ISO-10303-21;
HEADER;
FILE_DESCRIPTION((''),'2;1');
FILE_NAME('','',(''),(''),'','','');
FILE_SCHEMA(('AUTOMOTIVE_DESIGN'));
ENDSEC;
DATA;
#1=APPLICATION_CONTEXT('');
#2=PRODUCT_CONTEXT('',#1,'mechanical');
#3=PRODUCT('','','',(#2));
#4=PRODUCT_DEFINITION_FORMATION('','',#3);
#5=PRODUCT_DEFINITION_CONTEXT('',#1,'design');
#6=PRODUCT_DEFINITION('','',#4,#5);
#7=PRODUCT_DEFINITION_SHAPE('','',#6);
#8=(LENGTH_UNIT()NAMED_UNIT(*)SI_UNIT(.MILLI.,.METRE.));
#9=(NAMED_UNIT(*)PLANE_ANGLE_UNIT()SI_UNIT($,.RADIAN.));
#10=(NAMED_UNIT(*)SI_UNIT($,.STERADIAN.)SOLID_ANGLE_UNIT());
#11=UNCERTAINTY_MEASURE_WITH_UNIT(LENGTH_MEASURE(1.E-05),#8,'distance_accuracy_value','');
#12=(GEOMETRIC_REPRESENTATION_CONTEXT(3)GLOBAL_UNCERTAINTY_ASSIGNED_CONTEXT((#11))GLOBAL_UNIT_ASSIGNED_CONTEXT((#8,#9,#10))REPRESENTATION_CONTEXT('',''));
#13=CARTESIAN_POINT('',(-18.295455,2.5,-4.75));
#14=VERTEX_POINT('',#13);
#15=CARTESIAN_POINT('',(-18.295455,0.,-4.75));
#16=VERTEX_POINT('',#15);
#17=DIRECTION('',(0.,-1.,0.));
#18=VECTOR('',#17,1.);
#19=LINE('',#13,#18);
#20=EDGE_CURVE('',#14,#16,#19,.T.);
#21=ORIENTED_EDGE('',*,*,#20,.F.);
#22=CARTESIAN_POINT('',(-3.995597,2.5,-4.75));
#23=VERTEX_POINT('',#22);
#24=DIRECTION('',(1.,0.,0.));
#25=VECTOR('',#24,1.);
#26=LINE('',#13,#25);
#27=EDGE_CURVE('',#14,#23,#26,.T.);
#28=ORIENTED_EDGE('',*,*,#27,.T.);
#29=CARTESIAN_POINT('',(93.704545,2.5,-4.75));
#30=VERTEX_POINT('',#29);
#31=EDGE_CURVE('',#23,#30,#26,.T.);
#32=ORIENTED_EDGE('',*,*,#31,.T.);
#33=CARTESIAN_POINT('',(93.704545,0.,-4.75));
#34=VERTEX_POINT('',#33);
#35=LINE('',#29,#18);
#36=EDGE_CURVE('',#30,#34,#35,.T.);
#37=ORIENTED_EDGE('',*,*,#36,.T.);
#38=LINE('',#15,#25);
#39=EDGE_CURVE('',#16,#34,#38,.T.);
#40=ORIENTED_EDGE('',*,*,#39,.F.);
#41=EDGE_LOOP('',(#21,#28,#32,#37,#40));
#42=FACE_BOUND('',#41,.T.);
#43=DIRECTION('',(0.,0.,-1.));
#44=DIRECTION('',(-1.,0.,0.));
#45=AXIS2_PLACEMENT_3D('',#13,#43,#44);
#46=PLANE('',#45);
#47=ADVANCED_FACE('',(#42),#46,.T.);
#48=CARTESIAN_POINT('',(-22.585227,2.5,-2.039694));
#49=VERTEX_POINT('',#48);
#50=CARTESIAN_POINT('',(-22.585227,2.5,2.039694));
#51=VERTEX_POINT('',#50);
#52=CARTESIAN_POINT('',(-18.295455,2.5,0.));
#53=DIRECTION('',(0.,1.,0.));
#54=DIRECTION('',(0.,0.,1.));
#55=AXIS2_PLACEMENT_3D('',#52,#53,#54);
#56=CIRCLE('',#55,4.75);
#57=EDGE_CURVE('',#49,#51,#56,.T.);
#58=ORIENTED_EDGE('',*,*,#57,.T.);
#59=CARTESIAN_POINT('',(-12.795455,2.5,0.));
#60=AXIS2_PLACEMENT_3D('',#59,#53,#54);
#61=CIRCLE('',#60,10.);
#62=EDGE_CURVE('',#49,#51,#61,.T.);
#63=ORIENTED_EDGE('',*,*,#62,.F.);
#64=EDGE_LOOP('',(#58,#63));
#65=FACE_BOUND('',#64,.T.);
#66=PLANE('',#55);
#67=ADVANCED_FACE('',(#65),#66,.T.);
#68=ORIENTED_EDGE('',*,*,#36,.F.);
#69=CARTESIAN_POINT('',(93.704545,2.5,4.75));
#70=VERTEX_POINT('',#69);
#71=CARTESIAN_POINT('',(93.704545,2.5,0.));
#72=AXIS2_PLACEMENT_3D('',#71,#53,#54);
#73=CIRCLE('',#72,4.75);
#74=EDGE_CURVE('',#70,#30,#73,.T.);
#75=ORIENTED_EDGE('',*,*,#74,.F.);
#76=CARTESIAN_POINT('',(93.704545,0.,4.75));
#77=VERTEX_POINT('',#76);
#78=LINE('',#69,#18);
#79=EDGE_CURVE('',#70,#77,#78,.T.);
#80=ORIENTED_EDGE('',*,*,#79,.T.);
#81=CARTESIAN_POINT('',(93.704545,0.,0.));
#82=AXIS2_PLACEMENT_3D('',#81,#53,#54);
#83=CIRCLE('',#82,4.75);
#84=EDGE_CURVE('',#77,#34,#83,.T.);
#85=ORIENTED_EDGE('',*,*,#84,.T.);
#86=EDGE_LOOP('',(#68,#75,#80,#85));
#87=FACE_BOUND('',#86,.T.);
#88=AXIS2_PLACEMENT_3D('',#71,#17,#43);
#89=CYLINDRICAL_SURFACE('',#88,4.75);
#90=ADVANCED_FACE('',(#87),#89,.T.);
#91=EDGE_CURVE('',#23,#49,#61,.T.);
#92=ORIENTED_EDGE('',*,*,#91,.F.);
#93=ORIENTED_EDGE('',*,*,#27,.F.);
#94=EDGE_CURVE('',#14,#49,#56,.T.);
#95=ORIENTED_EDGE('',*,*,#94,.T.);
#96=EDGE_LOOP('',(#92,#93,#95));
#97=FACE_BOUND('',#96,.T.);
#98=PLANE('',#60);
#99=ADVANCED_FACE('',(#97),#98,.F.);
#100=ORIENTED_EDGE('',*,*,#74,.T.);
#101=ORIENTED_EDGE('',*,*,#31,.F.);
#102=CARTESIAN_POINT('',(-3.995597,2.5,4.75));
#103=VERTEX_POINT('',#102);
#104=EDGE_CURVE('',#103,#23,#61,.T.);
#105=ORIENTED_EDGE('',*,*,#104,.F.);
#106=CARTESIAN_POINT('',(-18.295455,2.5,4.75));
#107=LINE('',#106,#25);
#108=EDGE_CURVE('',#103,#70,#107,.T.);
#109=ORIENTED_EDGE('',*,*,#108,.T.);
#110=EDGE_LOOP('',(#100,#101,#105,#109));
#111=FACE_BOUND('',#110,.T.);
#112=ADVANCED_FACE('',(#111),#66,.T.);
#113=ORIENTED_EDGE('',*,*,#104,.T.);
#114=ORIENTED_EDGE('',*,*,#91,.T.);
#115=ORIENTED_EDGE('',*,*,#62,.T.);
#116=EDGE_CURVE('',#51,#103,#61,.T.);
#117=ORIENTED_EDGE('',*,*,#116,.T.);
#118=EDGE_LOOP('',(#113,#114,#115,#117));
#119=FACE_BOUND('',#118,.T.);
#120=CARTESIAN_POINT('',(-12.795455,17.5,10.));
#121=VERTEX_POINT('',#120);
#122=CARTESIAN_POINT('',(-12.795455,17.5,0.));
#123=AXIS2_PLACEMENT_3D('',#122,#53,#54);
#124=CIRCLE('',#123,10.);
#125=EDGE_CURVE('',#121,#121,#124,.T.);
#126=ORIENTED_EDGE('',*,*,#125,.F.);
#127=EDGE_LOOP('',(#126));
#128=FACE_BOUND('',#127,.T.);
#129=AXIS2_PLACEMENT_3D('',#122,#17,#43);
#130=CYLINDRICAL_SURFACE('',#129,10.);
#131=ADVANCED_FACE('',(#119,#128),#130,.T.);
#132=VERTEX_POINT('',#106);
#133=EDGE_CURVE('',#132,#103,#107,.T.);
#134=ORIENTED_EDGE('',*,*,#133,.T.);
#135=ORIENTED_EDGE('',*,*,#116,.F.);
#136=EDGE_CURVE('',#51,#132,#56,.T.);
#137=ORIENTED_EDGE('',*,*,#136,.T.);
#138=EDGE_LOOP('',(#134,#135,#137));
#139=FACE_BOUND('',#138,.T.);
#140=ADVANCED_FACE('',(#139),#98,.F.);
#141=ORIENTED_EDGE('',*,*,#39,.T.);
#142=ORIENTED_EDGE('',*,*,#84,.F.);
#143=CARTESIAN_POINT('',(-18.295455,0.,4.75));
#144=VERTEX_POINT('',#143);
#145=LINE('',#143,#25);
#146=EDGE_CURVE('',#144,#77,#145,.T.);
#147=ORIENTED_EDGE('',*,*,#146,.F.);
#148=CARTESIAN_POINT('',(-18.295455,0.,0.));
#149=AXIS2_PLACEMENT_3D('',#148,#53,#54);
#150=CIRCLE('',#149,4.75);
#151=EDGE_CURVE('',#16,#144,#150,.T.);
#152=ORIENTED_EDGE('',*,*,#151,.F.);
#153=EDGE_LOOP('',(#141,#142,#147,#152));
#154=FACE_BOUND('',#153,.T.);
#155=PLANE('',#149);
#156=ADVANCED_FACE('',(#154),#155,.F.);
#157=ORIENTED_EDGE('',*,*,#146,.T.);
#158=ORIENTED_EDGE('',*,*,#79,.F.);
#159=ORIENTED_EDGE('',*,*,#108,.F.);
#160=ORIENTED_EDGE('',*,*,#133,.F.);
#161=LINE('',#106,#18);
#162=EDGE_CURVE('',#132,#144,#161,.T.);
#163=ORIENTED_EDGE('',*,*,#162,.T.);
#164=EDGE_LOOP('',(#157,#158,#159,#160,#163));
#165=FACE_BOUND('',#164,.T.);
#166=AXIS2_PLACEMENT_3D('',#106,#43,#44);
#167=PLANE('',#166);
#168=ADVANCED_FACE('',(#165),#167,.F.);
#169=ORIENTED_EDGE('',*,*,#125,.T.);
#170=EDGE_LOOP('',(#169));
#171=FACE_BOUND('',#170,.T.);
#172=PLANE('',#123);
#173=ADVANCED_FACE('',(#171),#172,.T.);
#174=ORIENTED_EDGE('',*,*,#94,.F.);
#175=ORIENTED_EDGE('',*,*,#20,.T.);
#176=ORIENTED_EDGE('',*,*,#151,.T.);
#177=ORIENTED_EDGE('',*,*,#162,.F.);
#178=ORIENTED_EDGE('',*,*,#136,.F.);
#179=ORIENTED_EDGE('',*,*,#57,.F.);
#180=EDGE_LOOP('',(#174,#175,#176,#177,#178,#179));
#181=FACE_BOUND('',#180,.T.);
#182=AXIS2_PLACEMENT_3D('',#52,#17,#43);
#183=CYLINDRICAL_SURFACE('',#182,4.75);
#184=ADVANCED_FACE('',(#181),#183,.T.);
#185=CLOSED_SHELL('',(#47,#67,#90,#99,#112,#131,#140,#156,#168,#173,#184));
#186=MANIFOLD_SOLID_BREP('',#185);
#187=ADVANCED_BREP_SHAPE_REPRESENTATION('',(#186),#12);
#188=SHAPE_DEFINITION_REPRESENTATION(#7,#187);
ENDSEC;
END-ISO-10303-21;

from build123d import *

# Parameters (mm, degrees)
BOSS_EXTRUDE1_DEPTH     = 2.5
SKETCH2_R               = 10
BOSS_EXTRUDE2_DEPTH     = 15
CUT_EXTRUDE1_DEPTH      = 101.496505017
CUT_EXTRUDE1_DEPTH_BACK = 2.5
SKETCH3_R               = 7.5
BOSS_EXTRUDE3_START     = 2.5
SKETCH4_R               = 7.5
BOSS_EXTRUDE3_DEPTH     = 2.5


with BuildPart() as part:
    # Sketch1 → Boss-Extrude1 (new body)
    with BuildSketch(Plane(origin=(0, 0, 0), x_dir=(1, 0, 0), z_dir=(0, 1, 0))):
        with BuildLine():
            Line((-18.295454545, 4.75), (93.704545455, 4.75))
            ThreePointArc((93.704545455, 4.75), (98.454545455, 0), (93.704545455, -4.75))
            Line((93.704545455, -4.75), (-18.295454545, -4.75))
            ThreePointArc((-18.295454545, -4.75), (-23.045454545, 0), (-18.295454545, 4.75))
        make_face()
    extrude(amount=BOSS_EXTRUDE1_DEPTH)

    # Sketch2 → Boss-Extrude2 (add)
    with BuildSketch(Plane(origin=(0, 2.5, 0), x_dir=(1, 0, 0), z_dir=(0, 1, 0))):
        with Locations(Location((-12.795454545, 0, 0), (0, 0, 28.359350028))):
            Circle(SKETCH2_R)
    extrude(amount=BOSS_EXTRUDE2_DEPTH)

    # Sketch3 → Cut-Extrude1 (cut, two sides: drawn at the far end of the back side and taken through both)
    with BuildSketch(Plane(origin=(0, 17.5, 0), x_dir=(1, 0, 0), z_dir=(0, 1, 0)).offset(-CUT_EXTRUDE1_DEPTH_BACK)):
        with Locations(Location((-12.795454545, 0, 0), (0, 0, 90))):
            Circle(SKETCH3_R)
    extrude(amount=CUT_EXTRUDE1_DEPTH + CUT_EXTRUDE1_DEPTH_BACK, mode=Mode.SUBTRACT)

    # Sketch4 → Boss-Extrude3 (add)
    with BuildSketch(Plane(origin=(0, 15, 0), x_dir=(1, 0, 0), z_dir=(0, 1, 0)).offset(BOSS_EXTRUDE3_START)):
        with Locations((-12.795454545, 0)):
            Circle(SKETCH4_R)
    extrude(amount=-BOSS_EXTRUDE3_DEPTH)


solid = part.part
